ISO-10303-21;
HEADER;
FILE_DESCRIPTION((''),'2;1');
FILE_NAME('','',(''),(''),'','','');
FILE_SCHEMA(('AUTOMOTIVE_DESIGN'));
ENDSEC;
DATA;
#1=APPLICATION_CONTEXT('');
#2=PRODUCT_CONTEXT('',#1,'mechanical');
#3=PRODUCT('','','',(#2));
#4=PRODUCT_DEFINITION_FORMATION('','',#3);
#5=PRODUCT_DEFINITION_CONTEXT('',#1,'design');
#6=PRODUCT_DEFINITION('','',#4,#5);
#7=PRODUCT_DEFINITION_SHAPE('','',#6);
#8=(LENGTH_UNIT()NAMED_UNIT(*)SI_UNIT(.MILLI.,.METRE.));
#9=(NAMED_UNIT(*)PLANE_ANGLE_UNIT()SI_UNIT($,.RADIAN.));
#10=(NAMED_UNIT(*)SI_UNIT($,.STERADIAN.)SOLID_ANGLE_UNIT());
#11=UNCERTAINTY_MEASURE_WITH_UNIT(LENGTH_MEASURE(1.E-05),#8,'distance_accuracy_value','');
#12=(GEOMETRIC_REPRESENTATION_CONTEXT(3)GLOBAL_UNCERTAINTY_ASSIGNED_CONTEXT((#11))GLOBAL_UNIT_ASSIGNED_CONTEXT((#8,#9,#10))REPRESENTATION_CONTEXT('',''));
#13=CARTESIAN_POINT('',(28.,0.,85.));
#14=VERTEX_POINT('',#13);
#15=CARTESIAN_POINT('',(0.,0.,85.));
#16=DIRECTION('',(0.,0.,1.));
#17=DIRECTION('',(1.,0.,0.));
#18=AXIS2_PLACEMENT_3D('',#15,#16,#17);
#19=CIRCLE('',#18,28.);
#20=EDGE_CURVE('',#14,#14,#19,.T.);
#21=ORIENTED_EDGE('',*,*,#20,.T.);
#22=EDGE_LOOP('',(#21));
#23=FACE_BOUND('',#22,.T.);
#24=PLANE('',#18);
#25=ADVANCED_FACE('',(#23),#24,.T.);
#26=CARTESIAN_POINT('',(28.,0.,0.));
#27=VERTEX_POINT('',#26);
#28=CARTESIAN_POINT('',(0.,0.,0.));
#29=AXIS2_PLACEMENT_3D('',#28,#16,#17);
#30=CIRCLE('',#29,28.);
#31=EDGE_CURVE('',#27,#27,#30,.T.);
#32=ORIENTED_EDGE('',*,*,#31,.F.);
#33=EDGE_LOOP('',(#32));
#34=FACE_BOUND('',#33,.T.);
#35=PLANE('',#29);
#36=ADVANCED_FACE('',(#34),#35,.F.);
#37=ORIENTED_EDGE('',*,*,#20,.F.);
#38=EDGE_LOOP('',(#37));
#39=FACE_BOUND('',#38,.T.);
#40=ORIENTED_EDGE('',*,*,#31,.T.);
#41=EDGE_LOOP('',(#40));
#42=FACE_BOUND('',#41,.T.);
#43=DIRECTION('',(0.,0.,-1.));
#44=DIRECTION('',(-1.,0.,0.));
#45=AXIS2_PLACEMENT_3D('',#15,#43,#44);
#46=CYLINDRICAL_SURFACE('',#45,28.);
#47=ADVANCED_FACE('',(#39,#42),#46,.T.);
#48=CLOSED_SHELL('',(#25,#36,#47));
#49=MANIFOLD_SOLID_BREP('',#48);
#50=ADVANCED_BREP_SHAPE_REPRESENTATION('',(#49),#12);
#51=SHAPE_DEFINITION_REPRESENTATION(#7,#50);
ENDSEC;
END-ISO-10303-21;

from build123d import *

# Parameters (mm, degrees)
SKETCH_1_R                        = 28
SOLID_OBS_03_OUTER_CYLINDER_DEPTH = 85


with BuildPart() as part:
    # 草图1 → solid_obs_03_outer_cylinder (new body)
    with BuildSketch(Plane.XY):
        Circle(SKETCH_1_R)
    extrude(amount=SOLID_OBS_03_OUTER_CYLINDER_DEPTH)


solid = part.part
